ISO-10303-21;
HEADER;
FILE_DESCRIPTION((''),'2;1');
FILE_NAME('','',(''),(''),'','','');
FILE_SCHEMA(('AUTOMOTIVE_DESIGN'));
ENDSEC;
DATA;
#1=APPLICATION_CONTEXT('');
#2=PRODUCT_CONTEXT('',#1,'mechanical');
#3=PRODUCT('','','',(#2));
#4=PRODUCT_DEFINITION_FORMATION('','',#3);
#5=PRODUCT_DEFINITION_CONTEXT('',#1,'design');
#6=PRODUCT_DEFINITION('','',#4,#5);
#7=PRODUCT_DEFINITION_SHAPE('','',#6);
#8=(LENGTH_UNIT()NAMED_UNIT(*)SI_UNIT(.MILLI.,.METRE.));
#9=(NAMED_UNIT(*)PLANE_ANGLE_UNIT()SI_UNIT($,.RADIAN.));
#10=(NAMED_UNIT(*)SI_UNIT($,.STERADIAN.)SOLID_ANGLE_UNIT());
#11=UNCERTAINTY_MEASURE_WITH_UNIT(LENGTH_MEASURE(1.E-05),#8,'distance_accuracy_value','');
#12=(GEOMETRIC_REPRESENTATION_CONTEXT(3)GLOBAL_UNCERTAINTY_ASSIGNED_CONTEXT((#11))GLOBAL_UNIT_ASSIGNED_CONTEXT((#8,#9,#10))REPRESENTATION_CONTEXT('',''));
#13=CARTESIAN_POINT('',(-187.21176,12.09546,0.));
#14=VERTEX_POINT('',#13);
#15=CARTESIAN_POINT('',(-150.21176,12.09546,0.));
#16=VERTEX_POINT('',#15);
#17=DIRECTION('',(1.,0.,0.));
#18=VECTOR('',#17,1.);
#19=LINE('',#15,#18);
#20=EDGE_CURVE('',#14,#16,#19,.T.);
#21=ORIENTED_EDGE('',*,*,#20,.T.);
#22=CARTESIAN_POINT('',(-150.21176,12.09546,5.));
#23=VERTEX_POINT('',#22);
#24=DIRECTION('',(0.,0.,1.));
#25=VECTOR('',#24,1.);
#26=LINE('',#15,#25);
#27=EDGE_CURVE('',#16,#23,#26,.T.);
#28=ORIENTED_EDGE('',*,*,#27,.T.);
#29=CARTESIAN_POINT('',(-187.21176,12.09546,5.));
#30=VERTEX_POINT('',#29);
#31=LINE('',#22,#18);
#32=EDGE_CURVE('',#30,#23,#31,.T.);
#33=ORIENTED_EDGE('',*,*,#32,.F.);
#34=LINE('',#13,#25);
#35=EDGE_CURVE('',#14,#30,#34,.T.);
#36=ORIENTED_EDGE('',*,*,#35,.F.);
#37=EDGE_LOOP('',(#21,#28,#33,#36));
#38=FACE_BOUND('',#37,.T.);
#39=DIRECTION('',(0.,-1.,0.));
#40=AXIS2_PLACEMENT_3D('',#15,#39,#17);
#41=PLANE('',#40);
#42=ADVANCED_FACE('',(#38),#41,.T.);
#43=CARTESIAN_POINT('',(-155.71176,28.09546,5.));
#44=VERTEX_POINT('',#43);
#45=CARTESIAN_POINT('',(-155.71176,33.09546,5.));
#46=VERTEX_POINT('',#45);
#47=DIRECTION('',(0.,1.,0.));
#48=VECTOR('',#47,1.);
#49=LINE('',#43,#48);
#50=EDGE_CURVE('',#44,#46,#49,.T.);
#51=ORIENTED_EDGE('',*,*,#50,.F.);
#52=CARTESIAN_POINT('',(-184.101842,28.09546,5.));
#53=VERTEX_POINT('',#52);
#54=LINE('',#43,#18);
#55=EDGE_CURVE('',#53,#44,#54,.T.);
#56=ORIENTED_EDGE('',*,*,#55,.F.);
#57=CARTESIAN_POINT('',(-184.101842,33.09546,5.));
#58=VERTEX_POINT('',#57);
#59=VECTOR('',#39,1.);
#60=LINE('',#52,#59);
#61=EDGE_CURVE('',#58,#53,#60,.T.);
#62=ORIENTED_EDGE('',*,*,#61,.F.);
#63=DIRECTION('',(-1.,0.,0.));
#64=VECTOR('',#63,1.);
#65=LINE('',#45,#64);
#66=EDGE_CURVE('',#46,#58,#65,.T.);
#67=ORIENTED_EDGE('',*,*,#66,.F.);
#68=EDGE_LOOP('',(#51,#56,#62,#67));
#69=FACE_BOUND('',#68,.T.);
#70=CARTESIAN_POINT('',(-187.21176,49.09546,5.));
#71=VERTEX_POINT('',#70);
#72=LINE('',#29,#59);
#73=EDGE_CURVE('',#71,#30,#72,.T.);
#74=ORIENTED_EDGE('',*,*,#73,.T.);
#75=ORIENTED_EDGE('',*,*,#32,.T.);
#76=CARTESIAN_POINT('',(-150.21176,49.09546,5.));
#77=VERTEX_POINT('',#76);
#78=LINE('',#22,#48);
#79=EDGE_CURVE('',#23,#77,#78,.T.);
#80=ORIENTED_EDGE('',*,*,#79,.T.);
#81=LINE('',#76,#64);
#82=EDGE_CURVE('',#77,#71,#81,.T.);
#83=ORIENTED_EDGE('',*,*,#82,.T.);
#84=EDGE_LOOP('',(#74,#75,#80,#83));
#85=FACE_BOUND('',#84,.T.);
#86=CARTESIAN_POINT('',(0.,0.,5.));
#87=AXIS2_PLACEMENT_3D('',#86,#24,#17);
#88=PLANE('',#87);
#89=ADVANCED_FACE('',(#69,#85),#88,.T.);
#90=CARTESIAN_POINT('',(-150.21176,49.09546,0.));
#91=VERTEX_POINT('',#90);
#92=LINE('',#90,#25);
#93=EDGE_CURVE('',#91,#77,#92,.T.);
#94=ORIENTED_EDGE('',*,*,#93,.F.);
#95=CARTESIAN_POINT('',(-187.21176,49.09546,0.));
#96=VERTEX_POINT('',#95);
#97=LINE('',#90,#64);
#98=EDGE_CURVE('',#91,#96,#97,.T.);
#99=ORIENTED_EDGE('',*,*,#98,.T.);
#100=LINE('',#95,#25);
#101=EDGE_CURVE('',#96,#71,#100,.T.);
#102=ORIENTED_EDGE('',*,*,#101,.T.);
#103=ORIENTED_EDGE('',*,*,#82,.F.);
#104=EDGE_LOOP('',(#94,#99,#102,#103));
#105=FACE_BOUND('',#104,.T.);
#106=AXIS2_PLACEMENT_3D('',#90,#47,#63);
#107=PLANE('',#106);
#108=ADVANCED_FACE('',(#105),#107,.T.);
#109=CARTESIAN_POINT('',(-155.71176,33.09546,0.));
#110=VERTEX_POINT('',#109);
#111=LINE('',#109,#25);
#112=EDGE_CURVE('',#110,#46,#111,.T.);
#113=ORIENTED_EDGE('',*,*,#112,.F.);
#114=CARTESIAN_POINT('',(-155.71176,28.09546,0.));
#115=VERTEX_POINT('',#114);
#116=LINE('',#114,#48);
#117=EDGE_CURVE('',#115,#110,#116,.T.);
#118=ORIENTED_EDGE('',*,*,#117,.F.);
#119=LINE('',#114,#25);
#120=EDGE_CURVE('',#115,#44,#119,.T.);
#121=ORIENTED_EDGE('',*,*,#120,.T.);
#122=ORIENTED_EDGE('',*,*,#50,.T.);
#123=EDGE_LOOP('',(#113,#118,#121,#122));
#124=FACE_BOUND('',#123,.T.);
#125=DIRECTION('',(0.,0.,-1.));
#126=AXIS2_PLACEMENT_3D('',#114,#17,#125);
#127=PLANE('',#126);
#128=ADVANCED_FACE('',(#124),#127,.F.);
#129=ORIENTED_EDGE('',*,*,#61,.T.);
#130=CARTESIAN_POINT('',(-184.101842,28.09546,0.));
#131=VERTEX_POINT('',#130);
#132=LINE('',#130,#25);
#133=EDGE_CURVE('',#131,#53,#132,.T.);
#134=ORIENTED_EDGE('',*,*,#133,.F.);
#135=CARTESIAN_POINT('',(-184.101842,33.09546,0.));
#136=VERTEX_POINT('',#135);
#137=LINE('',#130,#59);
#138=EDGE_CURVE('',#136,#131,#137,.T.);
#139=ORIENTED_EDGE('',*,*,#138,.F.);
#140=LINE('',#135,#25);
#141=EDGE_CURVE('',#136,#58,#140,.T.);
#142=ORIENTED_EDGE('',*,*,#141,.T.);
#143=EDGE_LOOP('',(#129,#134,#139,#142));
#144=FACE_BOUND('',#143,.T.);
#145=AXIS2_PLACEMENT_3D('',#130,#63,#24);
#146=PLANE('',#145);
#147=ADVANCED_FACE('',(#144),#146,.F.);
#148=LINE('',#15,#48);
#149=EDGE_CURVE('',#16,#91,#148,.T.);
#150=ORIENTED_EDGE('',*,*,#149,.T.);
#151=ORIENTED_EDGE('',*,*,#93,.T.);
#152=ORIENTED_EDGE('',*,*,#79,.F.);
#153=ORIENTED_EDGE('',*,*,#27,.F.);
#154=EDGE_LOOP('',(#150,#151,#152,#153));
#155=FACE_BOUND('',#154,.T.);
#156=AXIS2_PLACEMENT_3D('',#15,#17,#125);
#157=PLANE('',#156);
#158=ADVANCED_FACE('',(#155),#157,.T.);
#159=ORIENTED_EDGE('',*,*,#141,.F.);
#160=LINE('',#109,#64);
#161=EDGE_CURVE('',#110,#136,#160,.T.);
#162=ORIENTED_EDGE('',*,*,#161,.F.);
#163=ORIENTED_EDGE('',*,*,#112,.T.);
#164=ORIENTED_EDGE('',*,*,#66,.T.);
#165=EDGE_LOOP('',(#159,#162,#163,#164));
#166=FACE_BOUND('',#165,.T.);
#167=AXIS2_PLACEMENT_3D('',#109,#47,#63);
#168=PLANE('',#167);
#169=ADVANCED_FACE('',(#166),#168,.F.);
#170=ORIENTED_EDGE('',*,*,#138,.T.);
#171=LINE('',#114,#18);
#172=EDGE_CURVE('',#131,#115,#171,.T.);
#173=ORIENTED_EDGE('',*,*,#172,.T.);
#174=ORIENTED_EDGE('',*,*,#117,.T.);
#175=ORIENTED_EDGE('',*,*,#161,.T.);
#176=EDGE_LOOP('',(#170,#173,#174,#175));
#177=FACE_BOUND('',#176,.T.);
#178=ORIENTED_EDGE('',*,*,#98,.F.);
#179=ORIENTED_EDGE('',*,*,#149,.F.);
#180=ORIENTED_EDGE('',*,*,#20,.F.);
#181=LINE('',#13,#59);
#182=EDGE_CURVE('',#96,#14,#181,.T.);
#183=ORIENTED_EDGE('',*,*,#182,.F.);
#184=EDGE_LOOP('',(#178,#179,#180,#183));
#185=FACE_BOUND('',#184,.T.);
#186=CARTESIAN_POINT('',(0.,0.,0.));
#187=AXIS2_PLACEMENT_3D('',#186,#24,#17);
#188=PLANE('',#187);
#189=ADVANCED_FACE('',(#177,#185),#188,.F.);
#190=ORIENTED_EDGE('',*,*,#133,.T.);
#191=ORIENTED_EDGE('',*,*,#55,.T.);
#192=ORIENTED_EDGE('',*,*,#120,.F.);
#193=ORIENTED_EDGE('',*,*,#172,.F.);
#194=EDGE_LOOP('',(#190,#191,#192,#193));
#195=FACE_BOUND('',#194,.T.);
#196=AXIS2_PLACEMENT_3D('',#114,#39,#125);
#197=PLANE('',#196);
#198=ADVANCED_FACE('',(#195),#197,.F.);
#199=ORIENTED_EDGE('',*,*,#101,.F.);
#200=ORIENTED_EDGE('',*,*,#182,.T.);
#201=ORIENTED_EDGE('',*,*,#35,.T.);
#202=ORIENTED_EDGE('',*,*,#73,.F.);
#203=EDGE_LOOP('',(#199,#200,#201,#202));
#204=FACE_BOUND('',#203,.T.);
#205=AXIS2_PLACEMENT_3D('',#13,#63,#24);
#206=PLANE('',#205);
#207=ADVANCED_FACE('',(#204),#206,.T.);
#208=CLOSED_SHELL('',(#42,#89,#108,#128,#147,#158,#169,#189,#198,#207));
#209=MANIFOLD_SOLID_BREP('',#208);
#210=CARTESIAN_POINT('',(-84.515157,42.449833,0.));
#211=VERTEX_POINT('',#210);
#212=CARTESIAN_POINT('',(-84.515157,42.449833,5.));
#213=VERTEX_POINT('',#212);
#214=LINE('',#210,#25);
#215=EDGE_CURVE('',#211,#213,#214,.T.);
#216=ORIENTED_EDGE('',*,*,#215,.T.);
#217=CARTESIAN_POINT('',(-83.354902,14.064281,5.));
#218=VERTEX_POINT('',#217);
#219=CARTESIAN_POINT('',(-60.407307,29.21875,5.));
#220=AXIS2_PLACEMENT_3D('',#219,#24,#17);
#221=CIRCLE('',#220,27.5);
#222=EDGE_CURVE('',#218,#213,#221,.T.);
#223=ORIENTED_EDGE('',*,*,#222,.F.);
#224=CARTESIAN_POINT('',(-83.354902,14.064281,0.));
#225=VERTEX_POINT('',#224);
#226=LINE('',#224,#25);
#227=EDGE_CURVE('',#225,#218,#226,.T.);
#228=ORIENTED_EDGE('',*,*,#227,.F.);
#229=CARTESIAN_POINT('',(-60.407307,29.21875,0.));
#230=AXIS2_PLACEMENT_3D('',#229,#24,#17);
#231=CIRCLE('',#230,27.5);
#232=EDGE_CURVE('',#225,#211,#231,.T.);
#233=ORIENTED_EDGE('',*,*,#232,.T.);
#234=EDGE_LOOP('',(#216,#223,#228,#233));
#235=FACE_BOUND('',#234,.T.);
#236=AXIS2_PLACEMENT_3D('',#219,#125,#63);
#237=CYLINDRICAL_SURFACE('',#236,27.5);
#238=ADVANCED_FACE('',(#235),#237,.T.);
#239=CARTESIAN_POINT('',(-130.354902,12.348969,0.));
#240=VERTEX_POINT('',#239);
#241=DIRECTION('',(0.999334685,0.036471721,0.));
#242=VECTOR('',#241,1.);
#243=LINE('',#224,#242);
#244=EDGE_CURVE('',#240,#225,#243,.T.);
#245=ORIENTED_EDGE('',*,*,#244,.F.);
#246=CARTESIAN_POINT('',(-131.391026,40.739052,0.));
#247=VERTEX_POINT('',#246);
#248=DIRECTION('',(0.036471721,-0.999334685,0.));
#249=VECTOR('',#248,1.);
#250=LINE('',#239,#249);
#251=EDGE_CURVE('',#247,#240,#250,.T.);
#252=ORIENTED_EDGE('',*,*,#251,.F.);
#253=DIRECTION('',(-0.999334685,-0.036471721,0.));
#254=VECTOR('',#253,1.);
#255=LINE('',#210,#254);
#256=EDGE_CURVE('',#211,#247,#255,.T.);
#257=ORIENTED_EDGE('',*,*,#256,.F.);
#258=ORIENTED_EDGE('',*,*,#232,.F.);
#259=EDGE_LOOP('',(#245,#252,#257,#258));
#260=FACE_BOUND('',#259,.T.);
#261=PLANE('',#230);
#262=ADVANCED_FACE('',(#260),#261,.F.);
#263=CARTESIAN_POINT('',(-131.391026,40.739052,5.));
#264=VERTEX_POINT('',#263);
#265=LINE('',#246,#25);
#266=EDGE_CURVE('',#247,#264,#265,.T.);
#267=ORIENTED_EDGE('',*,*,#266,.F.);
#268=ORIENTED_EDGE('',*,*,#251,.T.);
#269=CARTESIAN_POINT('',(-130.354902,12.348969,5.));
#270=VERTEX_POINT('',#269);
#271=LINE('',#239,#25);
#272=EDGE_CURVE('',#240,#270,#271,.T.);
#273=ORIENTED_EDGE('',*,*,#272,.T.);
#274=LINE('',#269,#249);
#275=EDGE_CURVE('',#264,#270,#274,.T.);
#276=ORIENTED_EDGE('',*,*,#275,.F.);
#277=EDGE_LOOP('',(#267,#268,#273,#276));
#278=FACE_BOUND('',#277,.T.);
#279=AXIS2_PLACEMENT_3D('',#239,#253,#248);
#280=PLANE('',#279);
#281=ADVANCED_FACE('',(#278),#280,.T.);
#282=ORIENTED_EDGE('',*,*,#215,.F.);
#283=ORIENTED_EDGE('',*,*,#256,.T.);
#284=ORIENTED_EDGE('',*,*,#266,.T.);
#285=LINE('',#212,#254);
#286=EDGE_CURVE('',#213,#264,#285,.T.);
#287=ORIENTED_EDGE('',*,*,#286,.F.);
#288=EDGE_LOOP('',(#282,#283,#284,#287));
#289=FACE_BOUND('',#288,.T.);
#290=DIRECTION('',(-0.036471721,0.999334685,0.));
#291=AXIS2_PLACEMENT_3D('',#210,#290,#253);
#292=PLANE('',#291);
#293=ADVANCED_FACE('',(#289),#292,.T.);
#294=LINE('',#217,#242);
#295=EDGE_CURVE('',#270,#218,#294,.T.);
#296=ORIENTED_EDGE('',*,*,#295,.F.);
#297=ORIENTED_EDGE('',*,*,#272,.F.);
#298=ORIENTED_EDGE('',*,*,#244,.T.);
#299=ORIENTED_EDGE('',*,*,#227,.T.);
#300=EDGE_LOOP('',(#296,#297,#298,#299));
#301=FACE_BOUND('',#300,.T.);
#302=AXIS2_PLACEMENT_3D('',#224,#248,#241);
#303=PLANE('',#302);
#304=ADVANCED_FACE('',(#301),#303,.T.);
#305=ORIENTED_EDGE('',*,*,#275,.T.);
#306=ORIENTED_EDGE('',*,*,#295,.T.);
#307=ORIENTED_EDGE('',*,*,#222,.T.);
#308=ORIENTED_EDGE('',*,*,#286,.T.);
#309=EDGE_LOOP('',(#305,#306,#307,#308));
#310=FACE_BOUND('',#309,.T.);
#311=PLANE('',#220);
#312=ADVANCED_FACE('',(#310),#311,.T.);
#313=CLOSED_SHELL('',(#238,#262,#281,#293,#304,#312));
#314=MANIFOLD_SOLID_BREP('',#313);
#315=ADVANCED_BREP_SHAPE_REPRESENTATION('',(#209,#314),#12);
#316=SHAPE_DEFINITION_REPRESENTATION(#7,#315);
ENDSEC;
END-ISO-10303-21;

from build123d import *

# Parameters (mm, degrees)
ESQUISSE1_R        = 27.5
BOSS_EXTRU_1_DEPTH = 5
BOSS_EXTRU_2_START = -5
ESQUISSE2_W        = 37
ESQUISSE2_H        = 37
ESQUISSE2_W_2      = 28.39008226
ESQUISSE2_H_2      = 5
BOSS_EXTRU_2_DEPTH = 5


with BuildPart() as part:
    # Esquisse1 → Boss.-Extru.1 (new body)
    with BuildSketch(Plane.XY):
        with Locations((-60.40730743, 29.21875)):
            Circle(ESQUISSE1_R)
    extrude(amount=BOSS_EXTRU_1_DEPTH)

    # Esquisse2 → Boss.-Extru.2 (add)
    # profile 1 of 2: a face of its own
    with BuildSketch(Plane.XY.offset(5).offset(BOSS_EXTRU_2_START)):
        with BuildLine():
            Line((-83.35490173, 14.064281489), (-130.35490173, 12.348969386))
            Line((-130.35490173, 12.348969386), (-131.391026234, 40.739051645))
            Line((-131.391026234, 40.739051645), (-84.515157408, 42.449833457))
            ThreePointArc((-84.515157408, 42.449833457), (-32.930251562, 30.34187102), (-83.35490173, 14.064281489))
        make_face()
    # profile 2 of 2: a face of its own
    with BuildSketch(Plane.XY.offset(5).offset(BOSS_EXTRU_2_START)):
        with Locations((-168.711759769, 30.595460467)):
            Rectangle(ESQUISSE2_W, ESQUISSE2_H)
        with Locations((-169.906800899, 30.595460467)):
            Rectangle(ESQUISSE2_W_2, ESQUISSE2_H_2, mode=Mode.SUBTRACT)
    extrude(amount=BOSS_EXTRU_2_DEPTH)


with BuildPart() as boss_extru_2_piece_1:
    # of the separate pieces the step leaves, piece 1, a body of its own (boss_extru_2_pieces)
    add(part.part.solids().sort_by_distance((-83.35490173, 14.064281489, 0))[0])


with BuildPart() as boss_extru_2_piece_2:
    # of the separate pieces the step leaves, piece 2, a body of its own (boss_extru_2_pieces)
    add(part.part.solids().sort_by_distance((-150.211759769, 12.095460467, 0))[0])


solid = Compound([boss_extru_2_piece_1.part, boss_extru_2_piece_2.part])
